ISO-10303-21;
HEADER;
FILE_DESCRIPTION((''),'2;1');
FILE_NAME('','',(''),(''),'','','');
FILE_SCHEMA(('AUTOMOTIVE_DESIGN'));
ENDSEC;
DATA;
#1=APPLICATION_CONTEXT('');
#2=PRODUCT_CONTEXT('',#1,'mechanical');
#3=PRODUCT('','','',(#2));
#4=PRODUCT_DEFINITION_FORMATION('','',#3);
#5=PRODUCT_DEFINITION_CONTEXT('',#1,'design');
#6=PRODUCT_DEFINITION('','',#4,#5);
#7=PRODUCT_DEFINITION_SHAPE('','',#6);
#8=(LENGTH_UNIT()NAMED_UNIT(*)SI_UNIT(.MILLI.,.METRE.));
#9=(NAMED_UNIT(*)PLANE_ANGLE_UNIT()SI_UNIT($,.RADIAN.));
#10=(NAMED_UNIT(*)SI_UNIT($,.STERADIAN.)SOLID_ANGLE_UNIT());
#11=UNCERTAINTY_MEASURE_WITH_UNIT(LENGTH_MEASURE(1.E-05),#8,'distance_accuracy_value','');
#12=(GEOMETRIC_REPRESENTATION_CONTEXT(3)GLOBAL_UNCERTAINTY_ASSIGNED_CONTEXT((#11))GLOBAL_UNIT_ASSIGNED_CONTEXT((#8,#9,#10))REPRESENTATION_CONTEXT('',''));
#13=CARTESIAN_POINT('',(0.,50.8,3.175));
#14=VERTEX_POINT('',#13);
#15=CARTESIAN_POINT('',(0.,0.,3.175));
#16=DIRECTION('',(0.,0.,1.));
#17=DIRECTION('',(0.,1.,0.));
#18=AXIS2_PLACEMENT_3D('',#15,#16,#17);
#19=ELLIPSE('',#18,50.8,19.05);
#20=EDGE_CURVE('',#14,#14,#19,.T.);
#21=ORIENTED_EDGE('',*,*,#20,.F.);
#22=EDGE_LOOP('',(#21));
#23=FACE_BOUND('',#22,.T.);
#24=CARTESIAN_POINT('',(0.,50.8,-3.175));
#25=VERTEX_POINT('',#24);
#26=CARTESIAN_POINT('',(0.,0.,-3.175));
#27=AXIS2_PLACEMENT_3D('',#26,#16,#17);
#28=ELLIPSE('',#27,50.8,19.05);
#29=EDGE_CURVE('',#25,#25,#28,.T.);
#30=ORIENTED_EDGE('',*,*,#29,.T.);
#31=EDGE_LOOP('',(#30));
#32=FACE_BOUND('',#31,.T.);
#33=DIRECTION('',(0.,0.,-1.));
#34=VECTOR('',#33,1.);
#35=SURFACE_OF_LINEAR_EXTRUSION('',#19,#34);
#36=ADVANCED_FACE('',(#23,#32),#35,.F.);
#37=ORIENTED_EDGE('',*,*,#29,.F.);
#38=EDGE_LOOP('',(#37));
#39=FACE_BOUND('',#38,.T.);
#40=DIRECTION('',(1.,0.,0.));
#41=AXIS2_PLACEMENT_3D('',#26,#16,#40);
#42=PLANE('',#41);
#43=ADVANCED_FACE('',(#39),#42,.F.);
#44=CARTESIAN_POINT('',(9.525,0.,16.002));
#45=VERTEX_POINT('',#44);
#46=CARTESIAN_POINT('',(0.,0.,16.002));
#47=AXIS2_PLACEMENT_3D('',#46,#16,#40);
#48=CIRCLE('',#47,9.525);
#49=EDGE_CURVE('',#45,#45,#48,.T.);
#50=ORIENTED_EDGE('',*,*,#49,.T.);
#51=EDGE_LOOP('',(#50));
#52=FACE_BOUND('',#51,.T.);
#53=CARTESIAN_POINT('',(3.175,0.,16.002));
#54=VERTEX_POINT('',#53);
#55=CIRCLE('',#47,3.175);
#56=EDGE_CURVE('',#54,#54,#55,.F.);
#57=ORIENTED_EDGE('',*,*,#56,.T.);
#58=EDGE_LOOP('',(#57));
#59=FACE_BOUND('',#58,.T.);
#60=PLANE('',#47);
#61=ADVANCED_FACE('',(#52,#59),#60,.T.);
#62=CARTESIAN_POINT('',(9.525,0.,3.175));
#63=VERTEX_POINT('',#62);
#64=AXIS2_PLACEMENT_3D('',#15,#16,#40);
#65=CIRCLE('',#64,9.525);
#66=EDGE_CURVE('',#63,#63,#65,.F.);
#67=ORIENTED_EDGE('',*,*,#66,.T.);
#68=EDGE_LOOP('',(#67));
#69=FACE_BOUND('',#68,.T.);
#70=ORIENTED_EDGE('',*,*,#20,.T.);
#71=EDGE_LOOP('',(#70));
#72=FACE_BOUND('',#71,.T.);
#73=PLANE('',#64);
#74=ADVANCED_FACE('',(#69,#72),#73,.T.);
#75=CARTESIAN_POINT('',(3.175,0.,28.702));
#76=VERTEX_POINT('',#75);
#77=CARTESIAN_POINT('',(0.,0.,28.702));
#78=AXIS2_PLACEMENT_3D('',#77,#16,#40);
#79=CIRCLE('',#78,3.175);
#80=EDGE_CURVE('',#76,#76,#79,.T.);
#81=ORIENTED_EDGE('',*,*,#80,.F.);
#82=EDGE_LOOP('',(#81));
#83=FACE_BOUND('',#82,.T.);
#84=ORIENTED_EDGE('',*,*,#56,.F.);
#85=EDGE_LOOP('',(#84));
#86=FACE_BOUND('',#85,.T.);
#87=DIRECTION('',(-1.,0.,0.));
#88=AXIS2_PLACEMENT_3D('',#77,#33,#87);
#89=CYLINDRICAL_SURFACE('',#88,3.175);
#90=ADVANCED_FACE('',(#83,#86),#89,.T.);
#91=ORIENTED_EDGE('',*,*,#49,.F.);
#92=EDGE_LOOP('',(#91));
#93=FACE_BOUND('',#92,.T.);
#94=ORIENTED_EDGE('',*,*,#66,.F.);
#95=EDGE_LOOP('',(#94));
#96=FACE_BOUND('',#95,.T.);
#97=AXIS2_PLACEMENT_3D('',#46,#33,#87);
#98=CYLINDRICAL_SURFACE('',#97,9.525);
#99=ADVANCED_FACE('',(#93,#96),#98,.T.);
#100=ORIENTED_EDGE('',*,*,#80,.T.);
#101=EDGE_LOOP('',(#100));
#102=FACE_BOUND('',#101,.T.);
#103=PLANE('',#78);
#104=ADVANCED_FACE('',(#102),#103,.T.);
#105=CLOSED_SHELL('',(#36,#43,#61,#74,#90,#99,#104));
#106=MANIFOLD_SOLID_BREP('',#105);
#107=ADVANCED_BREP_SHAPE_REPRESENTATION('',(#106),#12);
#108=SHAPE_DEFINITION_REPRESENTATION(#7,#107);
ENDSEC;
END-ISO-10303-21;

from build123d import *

# Parameters (mm, degrees)
SKETCH1_RX          = 50.8
SKETCH1_RY          = 19.05
BOSS_EXTRUDE1_DEPTH = 3.175
SKETCH2_R           = 9.525
BOSS_EXTRUDE2_DEPTH = 16.002
SKETCH3_R           = 3.175
BOSS_EXTRUDE3_DEPTH = 28.702


with BuildPart() as part:
    # Sketch1 → Boss-Extrude1 (new, symmetric)
    with BuildSketch(Plane.XY):
        with Locations(Location((0, 0), (0, 0, -90))):
            Ellipse(SKETCH1_RX, SKETCH1_RY)
    extrude(amount=BOSS_EXTRUDE1_DEPTH, both=True)

    # Sketch2 → Boss-Extrude2 (add)
    with BuildSketch(Plane.XY):
        Circle(SKETCH2_R)
    extrude(amount=BOSS_EXTRUDE2_DEPTH)

    # Sketch3 → Boss-Extrude3 (add)
    with BuildSketch(Plane.XY):
        Circle(SKETCH3_R)
    extrude(amount=BOSS_EXTRUDE3_DEPTH)


solid = part.part
